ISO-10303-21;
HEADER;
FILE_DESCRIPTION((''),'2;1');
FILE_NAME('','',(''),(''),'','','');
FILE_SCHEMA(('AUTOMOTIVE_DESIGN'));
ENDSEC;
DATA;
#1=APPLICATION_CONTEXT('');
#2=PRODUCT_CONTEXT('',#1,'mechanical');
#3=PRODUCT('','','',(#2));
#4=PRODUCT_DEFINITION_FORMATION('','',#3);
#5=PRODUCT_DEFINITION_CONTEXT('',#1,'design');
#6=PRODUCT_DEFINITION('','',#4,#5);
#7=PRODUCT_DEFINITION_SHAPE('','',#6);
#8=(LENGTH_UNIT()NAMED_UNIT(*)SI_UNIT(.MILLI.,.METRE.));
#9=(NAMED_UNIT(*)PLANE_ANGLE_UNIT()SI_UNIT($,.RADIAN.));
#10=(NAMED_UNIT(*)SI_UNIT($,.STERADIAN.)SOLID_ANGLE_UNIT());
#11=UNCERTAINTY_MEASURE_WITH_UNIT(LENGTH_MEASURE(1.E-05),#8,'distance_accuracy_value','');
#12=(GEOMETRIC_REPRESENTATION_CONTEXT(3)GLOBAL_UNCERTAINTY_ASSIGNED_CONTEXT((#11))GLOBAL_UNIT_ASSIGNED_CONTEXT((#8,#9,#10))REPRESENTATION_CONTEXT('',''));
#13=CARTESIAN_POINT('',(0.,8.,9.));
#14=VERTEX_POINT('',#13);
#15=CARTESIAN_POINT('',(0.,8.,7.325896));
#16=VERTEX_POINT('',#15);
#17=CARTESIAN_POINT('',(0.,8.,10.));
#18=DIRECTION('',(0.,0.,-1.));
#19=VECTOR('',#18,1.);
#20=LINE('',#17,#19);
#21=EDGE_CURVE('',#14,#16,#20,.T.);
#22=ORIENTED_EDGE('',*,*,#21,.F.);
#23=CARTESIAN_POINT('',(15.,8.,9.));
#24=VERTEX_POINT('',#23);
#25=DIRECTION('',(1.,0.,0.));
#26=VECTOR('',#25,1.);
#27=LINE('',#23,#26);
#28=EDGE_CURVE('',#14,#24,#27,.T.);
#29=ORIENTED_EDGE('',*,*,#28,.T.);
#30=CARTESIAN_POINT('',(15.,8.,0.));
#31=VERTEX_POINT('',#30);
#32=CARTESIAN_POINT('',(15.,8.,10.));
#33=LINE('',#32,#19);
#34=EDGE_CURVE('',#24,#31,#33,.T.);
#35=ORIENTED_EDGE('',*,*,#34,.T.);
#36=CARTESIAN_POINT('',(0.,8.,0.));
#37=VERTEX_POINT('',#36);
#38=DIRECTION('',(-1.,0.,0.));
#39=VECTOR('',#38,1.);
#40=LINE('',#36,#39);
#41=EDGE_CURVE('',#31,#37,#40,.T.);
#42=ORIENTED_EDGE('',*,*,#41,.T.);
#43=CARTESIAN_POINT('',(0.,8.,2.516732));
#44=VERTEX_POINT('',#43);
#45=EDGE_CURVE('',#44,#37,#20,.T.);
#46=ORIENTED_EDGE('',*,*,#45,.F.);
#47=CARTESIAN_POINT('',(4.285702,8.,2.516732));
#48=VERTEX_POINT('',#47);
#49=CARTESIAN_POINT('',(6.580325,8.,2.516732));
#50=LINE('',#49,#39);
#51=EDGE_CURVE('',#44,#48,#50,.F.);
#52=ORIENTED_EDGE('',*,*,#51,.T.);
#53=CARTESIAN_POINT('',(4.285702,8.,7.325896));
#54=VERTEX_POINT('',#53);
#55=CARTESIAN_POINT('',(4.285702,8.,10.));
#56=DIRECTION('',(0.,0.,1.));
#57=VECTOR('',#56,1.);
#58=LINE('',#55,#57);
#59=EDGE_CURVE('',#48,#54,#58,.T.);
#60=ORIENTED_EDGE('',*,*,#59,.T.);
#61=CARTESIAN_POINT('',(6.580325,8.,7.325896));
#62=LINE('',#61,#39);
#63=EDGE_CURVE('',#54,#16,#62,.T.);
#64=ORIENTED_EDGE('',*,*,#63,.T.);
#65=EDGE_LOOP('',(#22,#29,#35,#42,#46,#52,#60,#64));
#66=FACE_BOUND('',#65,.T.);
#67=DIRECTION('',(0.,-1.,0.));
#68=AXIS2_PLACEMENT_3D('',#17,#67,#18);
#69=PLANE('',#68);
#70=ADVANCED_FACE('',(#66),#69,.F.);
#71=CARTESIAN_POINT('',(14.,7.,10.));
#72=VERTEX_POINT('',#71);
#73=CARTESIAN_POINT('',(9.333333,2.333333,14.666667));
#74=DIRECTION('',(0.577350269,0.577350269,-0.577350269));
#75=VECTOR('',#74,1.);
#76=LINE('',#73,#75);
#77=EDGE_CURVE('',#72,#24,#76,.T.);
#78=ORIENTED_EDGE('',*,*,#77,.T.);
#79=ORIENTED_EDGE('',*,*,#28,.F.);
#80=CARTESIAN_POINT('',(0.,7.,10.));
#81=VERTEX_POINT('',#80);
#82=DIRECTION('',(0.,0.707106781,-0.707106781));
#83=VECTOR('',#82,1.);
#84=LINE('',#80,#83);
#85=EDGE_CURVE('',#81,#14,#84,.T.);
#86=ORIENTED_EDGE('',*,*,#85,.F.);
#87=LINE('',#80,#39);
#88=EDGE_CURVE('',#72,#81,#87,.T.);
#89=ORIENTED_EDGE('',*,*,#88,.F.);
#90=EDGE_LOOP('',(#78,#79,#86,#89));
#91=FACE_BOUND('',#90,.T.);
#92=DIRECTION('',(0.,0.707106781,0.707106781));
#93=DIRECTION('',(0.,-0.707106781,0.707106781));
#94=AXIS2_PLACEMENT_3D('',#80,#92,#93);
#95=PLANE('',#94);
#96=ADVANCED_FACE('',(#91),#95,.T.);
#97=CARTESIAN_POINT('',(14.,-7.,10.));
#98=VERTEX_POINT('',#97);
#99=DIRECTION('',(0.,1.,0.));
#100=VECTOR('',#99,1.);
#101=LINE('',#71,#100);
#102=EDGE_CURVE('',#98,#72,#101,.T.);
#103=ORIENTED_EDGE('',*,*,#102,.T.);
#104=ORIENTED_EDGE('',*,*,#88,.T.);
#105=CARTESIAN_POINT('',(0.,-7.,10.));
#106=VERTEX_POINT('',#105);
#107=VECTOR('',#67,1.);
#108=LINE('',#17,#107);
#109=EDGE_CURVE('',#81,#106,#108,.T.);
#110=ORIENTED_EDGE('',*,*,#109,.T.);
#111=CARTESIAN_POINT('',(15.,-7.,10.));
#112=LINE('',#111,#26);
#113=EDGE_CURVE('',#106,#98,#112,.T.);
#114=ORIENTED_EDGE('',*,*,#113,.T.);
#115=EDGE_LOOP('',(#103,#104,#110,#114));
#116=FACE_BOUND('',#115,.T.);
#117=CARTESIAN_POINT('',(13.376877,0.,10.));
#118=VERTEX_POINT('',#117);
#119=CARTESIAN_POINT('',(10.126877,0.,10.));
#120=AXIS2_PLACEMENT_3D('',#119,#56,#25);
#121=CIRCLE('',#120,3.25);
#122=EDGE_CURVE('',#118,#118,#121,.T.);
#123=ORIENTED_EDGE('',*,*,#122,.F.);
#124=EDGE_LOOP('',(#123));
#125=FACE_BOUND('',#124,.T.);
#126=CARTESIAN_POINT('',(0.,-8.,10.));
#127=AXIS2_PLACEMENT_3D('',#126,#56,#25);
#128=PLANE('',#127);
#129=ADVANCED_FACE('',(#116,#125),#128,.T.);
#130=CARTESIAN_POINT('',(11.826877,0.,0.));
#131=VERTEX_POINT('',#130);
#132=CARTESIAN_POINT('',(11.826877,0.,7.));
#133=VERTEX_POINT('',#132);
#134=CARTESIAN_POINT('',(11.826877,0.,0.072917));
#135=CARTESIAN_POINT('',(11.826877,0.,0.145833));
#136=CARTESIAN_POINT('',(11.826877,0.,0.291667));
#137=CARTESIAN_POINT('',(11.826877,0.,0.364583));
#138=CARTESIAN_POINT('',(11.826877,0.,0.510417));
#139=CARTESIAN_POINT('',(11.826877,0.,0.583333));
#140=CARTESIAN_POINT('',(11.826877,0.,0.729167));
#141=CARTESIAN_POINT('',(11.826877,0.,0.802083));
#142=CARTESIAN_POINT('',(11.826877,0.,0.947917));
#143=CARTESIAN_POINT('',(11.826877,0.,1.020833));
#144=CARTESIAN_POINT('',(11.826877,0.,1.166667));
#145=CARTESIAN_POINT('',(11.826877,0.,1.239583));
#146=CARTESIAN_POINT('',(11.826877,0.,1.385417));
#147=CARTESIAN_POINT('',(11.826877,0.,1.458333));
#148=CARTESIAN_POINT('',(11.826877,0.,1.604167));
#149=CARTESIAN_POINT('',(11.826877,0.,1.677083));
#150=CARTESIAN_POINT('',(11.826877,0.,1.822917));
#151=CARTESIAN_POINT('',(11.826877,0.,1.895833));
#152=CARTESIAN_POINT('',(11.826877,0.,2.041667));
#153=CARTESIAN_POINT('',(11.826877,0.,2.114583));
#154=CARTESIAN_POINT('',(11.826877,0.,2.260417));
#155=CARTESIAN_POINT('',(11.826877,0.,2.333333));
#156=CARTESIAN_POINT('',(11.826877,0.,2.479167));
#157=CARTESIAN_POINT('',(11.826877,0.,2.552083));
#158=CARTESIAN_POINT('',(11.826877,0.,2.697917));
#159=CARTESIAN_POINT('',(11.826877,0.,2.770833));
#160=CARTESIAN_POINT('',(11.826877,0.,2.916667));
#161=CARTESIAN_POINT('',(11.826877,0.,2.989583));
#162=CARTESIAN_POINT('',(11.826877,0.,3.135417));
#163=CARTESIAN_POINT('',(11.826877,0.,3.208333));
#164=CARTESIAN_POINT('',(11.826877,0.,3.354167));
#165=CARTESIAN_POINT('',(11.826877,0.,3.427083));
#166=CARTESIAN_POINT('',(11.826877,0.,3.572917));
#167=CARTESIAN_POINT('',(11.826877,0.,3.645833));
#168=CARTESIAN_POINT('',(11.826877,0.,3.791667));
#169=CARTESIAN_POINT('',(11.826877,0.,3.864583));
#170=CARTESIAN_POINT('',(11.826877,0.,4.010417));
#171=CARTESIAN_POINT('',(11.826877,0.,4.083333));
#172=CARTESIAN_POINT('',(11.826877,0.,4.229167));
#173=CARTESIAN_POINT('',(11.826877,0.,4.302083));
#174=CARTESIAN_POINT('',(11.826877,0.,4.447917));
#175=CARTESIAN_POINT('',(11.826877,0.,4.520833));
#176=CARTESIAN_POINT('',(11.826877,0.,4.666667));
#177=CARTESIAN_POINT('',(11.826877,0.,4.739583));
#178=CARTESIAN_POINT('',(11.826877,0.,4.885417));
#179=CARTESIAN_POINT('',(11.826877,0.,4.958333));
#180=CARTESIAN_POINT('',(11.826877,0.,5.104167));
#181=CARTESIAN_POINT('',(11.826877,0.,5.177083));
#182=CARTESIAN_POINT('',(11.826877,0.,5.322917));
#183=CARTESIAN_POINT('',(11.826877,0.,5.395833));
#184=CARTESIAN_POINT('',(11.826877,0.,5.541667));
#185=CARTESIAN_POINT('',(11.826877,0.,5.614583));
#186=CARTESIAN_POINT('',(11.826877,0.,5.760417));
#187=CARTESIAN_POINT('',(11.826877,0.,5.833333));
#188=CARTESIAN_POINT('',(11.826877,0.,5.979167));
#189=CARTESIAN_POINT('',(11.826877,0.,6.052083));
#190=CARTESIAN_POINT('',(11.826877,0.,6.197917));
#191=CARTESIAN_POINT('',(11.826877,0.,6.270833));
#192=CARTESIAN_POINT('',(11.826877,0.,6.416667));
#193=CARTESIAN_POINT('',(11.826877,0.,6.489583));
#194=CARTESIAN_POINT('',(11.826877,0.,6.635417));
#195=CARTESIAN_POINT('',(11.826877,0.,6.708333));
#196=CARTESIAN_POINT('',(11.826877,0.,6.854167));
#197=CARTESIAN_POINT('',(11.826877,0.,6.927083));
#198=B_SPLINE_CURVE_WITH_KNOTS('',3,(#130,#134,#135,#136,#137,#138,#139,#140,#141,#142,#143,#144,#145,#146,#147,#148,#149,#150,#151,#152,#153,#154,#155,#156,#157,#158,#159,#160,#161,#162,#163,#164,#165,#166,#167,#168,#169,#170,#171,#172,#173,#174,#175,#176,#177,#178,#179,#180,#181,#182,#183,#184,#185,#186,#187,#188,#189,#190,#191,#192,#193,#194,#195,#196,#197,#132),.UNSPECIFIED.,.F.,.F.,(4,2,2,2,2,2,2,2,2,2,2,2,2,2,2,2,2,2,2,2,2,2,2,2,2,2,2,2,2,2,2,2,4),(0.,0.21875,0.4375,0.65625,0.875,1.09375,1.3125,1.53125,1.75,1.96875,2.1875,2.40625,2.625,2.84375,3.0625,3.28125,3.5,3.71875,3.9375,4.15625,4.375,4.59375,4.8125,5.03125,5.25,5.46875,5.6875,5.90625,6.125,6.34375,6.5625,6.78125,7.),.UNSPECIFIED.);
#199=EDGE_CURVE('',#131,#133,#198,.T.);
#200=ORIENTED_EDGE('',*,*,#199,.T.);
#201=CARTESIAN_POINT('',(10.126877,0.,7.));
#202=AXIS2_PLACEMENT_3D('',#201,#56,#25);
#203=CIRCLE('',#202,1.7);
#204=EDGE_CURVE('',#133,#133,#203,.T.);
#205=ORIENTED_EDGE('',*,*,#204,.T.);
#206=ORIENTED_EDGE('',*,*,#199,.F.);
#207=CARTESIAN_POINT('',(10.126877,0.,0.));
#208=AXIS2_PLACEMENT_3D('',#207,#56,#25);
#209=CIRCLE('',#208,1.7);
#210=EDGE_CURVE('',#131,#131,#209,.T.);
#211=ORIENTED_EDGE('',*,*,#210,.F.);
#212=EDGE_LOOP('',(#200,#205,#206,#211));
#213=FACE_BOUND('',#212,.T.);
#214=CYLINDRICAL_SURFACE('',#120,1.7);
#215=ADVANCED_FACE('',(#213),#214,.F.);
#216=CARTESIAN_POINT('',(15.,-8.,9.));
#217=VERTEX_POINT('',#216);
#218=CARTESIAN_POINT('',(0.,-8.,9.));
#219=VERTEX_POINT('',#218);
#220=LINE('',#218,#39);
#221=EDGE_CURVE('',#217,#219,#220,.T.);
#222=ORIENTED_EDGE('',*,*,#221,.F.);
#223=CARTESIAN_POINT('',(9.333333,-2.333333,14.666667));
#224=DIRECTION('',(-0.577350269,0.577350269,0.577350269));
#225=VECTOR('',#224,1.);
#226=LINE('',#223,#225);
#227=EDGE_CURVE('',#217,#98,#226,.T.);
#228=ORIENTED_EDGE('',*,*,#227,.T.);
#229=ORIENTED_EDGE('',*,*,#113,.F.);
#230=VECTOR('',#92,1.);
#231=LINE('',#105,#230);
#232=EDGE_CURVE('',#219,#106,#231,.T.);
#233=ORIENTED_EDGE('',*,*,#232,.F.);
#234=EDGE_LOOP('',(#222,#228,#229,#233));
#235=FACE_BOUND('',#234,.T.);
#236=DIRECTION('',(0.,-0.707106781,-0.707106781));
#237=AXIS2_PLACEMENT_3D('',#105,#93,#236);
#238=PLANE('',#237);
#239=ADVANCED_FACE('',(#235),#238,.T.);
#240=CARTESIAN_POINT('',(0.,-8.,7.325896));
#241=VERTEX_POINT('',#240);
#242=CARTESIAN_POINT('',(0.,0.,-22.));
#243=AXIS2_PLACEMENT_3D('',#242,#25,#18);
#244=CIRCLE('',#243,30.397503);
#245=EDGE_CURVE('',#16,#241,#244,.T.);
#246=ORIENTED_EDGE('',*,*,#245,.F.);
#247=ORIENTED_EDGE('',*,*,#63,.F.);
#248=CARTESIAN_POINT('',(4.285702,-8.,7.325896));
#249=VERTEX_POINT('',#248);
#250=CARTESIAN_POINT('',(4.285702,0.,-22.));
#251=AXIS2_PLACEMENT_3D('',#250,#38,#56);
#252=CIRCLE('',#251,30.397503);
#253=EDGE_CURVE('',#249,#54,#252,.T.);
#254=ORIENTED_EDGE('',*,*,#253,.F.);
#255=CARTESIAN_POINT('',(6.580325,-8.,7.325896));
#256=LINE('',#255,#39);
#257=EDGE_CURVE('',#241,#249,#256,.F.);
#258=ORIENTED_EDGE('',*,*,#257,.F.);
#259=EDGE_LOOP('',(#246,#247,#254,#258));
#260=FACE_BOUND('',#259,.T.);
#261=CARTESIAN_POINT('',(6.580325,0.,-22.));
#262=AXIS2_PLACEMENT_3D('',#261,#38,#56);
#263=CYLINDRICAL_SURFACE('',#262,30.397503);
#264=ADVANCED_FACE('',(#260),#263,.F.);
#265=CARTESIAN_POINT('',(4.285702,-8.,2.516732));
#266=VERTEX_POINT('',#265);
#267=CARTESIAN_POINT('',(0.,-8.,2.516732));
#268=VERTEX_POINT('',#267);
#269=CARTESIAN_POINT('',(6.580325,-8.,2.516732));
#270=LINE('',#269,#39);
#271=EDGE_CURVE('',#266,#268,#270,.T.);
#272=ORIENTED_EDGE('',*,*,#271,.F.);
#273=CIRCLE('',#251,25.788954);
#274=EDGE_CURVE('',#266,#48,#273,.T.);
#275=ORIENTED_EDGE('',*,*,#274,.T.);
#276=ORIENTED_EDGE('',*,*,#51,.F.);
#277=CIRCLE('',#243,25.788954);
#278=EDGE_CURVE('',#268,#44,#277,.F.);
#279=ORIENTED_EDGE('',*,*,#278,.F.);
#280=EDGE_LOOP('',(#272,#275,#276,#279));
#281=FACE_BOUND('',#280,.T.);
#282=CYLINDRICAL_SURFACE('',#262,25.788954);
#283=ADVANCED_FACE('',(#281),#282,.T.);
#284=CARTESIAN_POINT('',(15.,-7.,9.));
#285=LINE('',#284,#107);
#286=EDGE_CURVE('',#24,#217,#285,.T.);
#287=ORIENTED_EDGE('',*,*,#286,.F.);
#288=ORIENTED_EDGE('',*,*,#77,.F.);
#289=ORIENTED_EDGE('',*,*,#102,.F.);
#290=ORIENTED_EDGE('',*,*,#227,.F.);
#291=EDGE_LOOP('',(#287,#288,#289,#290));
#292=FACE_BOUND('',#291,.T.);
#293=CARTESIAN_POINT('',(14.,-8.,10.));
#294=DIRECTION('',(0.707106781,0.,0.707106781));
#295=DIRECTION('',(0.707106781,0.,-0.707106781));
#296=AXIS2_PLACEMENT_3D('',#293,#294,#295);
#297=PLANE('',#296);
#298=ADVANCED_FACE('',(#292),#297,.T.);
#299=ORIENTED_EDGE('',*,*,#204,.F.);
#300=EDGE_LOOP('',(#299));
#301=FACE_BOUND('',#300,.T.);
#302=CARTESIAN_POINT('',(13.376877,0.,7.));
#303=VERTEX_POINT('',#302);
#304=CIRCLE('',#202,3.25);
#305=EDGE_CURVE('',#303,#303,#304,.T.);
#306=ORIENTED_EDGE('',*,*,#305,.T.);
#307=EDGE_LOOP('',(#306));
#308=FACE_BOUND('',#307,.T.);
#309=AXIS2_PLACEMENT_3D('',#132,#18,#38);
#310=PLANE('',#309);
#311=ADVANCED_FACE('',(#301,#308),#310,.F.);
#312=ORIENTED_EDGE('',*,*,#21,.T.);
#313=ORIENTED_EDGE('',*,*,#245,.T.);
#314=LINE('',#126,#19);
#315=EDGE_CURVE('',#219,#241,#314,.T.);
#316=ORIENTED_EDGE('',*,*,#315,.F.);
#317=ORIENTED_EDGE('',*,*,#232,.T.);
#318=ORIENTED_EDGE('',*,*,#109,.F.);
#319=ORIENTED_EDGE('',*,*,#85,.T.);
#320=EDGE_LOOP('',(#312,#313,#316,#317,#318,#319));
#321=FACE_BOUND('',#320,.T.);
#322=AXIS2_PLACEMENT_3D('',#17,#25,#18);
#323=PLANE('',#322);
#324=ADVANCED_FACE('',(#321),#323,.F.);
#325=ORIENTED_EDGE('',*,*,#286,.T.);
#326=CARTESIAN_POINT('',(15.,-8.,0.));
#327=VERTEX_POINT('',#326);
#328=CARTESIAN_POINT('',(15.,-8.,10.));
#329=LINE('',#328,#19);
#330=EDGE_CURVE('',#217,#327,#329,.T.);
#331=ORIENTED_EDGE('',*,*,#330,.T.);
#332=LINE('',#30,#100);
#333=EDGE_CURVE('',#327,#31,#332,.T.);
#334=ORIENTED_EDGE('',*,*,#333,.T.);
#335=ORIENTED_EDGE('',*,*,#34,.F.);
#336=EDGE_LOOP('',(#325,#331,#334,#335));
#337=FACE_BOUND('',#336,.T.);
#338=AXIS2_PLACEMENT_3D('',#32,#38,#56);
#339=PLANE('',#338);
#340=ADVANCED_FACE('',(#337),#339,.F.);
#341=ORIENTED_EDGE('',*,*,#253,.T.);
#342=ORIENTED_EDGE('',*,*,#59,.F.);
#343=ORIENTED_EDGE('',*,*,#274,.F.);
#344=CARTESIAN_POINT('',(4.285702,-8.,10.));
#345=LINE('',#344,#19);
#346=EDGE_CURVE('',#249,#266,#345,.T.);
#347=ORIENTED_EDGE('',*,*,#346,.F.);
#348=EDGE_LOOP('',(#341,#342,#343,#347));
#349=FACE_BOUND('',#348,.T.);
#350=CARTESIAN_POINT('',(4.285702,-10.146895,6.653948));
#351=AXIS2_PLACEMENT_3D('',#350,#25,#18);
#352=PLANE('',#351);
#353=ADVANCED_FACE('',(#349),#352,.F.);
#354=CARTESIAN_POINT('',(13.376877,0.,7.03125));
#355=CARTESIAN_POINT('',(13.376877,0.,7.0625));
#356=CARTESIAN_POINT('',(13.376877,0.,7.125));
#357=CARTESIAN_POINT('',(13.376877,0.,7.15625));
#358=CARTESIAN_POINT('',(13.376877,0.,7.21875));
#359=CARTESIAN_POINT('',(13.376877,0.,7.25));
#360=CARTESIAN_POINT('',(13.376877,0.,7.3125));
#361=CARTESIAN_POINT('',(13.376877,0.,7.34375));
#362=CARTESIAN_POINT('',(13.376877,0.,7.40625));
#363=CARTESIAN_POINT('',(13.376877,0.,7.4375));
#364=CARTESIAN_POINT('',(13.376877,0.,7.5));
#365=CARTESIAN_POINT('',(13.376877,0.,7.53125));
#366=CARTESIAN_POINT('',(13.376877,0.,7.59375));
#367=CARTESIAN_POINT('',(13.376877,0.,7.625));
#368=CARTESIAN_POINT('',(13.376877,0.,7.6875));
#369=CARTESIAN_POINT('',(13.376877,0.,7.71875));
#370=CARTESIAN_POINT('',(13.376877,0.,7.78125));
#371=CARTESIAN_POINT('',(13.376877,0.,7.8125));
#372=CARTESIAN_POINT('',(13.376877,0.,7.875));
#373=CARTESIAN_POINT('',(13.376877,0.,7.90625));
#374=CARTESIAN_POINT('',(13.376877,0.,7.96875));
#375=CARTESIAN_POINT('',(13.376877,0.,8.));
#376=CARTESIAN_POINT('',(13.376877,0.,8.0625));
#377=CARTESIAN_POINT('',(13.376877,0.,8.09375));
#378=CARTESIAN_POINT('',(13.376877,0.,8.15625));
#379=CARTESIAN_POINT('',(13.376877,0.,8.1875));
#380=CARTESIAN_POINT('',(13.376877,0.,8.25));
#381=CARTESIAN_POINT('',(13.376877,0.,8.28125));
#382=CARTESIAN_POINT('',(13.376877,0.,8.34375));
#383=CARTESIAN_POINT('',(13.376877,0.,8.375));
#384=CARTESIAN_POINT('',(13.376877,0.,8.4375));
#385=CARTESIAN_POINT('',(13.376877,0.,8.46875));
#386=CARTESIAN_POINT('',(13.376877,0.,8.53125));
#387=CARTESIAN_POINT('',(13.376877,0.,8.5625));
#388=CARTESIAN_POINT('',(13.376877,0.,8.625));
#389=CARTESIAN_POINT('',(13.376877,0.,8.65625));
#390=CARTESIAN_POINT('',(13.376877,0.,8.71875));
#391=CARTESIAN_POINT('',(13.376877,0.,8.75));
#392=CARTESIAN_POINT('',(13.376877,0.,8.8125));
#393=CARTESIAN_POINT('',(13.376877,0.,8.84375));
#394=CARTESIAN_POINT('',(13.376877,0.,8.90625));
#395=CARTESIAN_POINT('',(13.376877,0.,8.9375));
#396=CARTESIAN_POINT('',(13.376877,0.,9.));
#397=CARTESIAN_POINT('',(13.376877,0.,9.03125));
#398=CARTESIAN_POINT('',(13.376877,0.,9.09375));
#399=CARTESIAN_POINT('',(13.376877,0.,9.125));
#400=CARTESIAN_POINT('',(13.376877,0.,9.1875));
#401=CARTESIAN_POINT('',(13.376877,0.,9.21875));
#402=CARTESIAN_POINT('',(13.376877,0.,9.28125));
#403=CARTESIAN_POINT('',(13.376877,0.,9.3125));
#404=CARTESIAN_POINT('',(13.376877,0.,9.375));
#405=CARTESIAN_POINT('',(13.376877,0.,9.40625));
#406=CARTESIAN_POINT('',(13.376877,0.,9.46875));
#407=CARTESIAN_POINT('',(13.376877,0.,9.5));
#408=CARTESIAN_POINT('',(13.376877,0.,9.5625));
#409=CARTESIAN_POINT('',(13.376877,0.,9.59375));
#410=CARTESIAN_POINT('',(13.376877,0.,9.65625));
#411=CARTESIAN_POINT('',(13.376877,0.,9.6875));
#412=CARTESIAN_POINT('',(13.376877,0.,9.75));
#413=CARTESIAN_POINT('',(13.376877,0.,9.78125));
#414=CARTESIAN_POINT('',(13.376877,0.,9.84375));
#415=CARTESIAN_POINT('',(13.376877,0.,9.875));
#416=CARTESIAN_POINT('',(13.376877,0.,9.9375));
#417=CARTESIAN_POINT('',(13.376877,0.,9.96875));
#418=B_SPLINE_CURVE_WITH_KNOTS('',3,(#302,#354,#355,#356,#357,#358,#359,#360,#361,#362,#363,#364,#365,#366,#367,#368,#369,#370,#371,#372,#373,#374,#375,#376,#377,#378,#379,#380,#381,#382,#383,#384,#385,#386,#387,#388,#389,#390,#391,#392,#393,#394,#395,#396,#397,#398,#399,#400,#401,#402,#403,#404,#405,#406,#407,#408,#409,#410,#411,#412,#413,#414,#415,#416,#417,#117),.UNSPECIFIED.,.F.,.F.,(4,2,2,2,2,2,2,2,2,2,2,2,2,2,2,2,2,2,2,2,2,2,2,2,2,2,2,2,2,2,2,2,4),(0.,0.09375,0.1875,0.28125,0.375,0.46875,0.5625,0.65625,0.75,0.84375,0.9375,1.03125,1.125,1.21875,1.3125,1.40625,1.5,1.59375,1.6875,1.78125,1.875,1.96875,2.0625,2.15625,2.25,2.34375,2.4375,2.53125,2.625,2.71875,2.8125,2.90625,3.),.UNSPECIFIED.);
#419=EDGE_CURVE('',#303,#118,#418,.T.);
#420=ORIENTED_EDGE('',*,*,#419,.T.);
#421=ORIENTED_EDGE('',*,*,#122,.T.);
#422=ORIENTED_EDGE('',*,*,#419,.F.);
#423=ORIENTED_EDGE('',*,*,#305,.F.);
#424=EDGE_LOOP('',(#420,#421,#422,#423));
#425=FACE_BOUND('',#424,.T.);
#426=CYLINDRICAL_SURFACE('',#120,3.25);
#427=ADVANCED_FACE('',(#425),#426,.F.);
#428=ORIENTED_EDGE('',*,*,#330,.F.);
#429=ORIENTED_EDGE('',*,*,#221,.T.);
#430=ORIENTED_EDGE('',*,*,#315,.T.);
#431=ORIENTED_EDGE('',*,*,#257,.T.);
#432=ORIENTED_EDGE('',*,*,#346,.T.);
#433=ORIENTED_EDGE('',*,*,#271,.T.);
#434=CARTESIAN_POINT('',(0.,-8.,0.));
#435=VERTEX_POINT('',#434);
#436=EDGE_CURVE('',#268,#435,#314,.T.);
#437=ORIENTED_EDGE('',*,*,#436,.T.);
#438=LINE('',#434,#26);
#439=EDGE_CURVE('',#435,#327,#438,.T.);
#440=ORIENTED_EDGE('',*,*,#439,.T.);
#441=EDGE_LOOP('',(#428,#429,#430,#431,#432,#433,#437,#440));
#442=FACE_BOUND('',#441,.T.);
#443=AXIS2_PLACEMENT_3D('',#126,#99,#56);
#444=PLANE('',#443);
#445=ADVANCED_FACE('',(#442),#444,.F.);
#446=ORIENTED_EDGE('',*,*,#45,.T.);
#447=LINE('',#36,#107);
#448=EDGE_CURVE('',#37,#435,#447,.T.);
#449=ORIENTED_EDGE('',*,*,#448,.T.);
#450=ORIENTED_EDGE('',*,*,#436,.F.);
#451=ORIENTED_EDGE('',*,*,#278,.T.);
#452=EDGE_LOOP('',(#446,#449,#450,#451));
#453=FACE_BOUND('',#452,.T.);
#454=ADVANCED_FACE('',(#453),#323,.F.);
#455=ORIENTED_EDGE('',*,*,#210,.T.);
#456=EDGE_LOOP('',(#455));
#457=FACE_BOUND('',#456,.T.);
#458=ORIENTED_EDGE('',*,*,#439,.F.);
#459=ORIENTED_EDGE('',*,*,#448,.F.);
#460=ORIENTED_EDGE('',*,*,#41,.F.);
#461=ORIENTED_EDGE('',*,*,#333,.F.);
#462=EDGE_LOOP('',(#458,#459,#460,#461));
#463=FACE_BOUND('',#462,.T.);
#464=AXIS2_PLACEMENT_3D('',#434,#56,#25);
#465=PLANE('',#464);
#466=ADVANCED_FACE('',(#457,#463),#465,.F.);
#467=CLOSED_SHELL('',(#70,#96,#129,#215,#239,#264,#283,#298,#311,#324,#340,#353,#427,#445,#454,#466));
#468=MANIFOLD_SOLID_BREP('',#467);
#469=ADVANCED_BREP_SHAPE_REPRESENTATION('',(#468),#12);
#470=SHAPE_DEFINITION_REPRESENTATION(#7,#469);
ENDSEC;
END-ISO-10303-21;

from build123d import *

# Parameters (mm, degrees)
ESQUISSE1_W                                        = 15
ESQUISSE1_H                                        = 16
EXTRUSION1_DEPTH                                   = 10
CHANFREIN1_SIZE                                    = 1
CHAMBRAGE_POUR_VIS_T_TE_HEXAGONALE_M31_D           = 3.4
CHAMBRAGE_POUR_VIS_T_TE_HEXAGONALE_M31_CBORE_D     = 6.5
CHAMBRAGE_POUR_VIS_T_TE_HEXAGONALE_M31_CBORE_DEPTH = 3
ESQUISSE2_W                                        = 5.5288305
ESQUISSE2_H                                        = 4.608549318
ENL_VEMENT_DE_MATI_RE_R_VOLUTION1_ANGLE            = 39
CHANFREIN2_SIZE                                    = 1


with BuildPart() as part:
    # Esquisse1 → Extrusion1 (new body)
    with BuildSketch(Plane.XY):
        with Locations((7.5, 0)):
            Rectangle(ESQUISSE1_W, ESQUISSE1_H)
    extrude(amount=EXTRUSION1_DEPTH)

    # Chanfrein1
    chanfrein1_edges = [part.edges().sort_by_distance(p)[0] for p in [
        (7.5, 8, 10),
        (7.5, -8, 10),
    ]]
    chamfer(chanfrein1_edges, length=CHANFREIN1_SIZE)

    # Chambrage pour vis à tête hexagonale M31 (through all)
    with Locations(Plane(origin=(10.126877496, 0, 10), x_dir=(1, 0, 0), z_dir=(0, 0, 1))):
        with Locations((0, 0)):
            CounterBoreHole(CHAMBRAGE_POUR_VIS_T_TE_HEXAGONALE_M31_D / 2, CHAMBRAGE_POUR_VIS_T_TE_HEXAGONALE_M31_CBORE_D / 2, CHAMBRAGE_POUR_VIS_T_TE_HEXAGONALE_M31_CBORE_DEPTH)

    # Esquisse2 → Enlèvement de matière-Révolution1 (revolve, symmetric, cut)
    with BuildSketch(Plane(origin=(0, 0, 0), x_dir=(1, 0, 0), z_dir=(0, 1, 0))) as enl_vement_de_mati_re_r_volution1_sk:
        with Locations((1.521286307, -6.093228571)):
            Rectangle(ESQUISSE2_W, ESQUISSE2_H)
    revolve(axis=Axis((6.580325396, 0, -22), (1, 0, 0)), revolution_arc=ENL_VEMENT_DE_MATI_RE_R_VOLUTION1_ANGLE / 2, mode=Mode.SUBTRACT)
    revolve(enl_vement_de_mati_re_r_volution1_sk.sketch, axis=Axis((6.580325396, 0, -22), (-1, 0, 0)), revolution_arc=ENL_VEMENT_DE_MATI_RE_R_VOLUTION1_ANGLE / 2, mode=Mode.SUBTRACT)

    # Chanfrein2
    chanfrein2_edges = [part.edges().sort_by_distance(p)[0] for p in [
        (15, 0, 10),
    ]]
    chamfer(chanfrein2_edges, length=CHANFREIN2_SIZE)


solid = part.part
